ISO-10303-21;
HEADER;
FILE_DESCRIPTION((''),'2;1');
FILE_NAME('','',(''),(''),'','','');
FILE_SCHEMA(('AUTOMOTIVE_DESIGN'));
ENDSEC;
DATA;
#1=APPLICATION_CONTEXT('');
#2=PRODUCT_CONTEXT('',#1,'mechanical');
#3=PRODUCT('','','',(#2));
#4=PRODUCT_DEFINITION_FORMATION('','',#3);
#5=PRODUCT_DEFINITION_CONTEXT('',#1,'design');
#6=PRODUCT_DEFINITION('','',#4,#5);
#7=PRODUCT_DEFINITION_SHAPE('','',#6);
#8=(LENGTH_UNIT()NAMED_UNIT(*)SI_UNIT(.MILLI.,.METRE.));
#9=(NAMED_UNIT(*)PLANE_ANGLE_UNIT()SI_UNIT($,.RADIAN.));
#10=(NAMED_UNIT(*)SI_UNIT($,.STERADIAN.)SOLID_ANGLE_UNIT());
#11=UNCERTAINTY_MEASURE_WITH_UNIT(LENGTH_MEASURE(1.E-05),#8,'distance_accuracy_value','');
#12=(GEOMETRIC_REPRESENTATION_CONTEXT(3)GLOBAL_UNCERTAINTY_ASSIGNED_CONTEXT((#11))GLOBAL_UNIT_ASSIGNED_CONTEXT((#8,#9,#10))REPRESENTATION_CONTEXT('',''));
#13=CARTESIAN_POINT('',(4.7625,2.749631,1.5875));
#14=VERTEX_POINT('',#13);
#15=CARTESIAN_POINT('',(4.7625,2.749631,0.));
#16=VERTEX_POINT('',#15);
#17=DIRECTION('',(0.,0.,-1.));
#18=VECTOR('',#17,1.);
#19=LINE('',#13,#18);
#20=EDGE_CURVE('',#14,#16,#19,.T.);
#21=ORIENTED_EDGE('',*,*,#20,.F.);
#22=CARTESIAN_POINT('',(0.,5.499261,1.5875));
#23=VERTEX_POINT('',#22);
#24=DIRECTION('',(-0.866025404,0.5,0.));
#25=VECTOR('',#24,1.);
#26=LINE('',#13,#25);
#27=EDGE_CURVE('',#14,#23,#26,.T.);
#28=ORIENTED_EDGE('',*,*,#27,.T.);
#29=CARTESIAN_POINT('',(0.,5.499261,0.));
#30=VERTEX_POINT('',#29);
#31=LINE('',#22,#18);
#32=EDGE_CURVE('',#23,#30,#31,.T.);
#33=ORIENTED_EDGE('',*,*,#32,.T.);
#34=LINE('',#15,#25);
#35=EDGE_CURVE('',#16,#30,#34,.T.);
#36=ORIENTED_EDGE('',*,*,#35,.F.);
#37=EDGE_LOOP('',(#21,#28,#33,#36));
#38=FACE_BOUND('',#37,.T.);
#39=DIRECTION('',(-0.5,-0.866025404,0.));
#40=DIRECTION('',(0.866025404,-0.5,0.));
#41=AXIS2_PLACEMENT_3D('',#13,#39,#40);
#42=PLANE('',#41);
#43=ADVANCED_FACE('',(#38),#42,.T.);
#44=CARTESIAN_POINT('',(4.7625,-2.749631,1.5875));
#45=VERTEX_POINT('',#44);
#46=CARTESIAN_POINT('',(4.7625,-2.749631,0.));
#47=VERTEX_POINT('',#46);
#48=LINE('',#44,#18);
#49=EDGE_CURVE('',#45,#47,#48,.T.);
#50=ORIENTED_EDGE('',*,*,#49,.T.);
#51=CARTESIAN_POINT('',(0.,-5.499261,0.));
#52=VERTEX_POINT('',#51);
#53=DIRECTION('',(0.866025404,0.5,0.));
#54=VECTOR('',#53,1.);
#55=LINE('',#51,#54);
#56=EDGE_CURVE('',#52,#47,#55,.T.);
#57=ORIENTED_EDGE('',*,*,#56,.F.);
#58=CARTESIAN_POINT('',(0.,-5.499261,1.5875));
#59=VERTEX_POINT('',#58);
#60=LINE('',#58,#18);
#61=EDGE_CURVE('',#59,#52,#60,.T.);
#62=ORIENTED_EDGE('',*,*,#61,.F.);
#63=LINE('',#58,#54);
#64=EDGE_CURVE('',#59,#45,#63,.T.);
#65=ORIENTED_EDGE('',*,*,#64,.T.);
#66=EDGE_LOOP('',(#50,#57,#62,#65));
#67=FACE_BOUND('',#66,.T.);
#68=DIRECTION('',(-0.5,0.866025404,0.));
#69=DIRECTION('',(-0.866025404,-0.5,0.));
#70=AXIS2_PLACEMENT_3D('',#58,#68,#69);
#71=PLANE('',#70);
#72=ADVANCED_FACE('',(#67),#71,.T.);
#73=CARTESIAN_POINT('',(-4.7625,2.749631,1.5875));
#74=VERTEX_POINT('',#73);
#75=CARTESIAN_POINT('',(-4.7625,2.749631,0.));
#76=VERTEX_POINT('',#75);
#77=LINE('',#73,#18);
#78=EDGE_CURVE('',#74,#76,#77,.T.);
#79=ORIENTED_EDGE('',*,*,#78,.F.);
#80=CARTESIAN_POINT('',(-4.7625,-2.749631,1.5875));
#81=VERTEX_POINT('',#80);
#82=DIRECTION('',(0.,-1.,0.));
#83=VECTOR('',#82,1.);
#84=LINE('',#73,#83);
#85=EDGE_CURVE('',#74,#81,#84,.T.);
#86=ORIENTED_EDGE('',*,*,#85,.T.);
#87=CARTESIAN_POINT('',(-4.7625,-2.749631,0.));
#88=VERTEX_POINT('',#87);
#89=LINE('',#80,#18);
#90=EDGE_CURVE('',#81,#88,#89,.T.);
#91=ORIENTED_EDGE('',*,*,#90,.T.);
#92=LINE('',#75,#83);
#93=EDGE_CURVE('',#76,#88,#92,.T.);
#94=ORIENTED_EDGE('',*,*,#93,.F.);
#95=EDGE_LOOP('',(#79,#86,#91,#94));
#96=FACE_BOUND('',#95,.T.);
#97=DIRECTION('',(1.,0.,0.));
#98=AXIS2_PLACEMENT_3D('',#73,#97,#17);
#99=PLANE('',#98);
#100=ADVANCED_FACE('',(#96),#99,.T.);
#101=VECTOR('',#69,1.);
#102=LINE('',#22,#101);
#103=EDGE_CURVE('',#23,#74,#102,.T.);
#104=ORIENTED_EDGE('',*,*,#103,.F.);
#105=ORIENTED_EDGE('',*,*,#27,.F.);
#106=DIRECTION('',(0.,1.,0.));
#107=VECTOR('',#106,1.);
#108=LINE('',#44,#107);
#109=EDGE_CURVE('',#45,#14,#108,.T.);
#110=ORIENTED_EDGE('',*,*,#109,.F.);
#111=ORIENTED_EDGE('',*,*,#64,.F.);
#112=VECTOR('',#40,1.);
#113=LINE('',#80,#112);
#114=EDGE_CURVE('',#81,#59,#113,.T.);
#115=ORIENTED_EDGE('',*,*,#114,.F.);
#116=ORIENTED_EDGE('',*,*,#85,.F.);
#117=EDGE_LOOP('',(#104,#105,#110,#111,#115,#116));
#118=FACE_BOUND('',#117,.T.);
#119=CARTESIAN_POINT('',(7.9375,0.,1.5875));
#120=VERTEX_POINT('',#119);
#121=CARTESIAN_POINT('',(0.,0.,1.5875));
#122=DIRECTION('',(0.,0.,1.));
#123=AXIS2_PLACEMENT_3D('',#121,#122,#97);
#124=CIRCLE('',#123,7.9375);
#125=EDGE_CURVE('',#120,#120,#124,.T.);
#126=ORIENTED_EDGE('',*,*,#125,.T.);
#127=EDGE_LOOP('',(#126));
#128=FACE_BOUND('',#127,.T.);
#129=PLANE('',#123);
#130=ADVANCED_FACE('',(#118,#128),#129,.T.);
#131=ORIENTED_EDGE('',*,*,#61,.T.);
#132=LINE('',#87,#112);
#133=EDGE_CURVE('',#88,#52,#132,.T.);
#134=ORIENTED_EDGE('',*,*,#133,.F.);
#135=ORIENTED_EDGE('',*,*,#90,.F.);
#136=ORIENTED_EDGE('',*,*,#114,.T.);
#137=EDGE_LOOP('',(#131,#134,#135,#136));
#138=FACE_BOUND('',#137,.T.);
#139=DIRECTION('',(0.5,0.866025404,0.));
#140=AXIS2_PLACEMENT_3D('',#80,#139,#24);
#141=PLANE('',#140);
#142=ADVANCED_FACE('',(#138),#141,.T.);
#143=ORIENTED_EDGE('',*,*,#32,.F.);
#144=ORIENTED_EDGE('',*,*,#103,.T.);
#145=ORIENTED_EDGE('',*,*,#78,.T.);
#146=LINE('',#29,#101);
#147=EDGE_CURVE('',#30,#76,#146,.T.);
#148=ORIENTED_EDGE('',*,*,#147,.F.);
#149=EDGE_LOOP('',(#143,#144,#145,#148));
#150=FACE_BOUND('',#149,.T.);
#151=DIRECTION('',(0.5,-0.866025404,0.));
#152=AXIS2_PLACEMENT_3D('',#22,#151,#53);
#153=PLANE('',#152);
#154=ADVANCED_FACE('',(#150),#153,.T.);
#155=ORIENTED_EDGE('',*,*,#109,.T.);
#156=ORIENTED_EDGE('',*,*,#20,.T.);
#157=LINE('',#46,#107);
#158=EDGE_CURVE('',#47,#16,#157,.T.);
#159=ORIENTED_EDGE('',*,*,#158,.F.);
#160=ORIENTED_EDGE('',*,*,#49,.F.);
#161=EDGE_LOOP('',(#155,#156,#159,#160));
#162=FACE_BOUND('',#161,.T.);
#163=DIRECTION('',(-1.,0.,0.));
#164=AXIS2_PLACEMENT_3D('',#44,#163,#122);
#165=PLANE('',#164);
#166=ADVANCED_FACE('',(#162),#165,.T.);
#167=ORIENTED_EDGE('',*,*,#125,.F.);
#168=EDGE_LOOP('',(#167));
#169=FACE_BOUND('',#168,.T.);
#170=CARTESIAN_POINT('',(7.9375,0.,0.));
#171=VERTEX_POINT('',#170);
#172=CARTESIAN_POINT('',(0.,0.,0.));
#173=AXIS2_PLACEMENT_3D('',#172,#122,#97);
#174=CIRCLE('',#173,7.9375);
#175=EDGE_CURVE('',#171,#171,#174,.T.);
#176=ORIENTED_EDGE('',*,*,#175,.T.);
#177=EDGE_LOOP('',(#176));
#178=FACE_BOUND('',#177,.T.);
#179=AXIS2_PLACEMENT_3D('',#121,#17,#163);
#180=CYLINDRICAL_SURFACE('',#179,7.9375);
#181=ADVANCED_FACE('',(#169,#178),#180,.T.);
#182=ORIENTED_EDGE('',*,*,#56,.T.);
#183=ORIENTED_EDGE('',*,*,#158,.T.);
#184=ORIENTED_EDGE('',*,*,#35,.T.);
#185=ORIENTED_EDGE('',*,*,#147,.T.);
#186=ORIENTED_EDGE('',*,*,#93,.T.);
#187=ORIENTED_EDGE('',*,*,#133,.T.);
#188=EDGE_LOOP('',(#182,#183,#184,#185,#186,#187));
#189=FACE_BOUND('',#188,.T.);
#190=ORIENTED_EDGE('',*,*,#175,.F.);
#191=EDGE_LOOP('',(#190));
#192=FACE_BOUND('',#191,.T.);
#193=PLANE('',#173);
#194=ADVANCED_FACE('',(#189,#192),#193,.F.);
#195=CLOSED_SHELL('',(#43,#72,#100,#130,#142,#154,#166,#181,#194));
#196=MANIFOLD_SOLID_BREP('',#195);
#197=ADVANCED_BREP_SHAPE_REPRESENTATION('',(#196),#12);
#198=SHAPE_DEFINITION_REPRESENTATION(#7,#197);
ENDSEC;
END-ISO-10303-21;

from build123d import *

# Parameters (mm, degrees)
SKETCH1_R         = 7.9375
SPACER_BOSS_DEPTH = 1.5875


with BuildPart() as part:
    # Sketch1 → Spacer Boss (new body)
    with BuildSketch(Plane.XY):
        Circle(SKETCH1_R)
        Polygon((-4.7625, 2.749630657), (-4.7625, -2.749630657), (0, -5.499261314), (4.7625, -2.749630657), (4.7625, 2.749630657), (0, 5.499261314), align=None, mode=Mode.SUBTRACT)
    extrude(amount=SPACER_BOSS_DEPTH)


solid = part.part
